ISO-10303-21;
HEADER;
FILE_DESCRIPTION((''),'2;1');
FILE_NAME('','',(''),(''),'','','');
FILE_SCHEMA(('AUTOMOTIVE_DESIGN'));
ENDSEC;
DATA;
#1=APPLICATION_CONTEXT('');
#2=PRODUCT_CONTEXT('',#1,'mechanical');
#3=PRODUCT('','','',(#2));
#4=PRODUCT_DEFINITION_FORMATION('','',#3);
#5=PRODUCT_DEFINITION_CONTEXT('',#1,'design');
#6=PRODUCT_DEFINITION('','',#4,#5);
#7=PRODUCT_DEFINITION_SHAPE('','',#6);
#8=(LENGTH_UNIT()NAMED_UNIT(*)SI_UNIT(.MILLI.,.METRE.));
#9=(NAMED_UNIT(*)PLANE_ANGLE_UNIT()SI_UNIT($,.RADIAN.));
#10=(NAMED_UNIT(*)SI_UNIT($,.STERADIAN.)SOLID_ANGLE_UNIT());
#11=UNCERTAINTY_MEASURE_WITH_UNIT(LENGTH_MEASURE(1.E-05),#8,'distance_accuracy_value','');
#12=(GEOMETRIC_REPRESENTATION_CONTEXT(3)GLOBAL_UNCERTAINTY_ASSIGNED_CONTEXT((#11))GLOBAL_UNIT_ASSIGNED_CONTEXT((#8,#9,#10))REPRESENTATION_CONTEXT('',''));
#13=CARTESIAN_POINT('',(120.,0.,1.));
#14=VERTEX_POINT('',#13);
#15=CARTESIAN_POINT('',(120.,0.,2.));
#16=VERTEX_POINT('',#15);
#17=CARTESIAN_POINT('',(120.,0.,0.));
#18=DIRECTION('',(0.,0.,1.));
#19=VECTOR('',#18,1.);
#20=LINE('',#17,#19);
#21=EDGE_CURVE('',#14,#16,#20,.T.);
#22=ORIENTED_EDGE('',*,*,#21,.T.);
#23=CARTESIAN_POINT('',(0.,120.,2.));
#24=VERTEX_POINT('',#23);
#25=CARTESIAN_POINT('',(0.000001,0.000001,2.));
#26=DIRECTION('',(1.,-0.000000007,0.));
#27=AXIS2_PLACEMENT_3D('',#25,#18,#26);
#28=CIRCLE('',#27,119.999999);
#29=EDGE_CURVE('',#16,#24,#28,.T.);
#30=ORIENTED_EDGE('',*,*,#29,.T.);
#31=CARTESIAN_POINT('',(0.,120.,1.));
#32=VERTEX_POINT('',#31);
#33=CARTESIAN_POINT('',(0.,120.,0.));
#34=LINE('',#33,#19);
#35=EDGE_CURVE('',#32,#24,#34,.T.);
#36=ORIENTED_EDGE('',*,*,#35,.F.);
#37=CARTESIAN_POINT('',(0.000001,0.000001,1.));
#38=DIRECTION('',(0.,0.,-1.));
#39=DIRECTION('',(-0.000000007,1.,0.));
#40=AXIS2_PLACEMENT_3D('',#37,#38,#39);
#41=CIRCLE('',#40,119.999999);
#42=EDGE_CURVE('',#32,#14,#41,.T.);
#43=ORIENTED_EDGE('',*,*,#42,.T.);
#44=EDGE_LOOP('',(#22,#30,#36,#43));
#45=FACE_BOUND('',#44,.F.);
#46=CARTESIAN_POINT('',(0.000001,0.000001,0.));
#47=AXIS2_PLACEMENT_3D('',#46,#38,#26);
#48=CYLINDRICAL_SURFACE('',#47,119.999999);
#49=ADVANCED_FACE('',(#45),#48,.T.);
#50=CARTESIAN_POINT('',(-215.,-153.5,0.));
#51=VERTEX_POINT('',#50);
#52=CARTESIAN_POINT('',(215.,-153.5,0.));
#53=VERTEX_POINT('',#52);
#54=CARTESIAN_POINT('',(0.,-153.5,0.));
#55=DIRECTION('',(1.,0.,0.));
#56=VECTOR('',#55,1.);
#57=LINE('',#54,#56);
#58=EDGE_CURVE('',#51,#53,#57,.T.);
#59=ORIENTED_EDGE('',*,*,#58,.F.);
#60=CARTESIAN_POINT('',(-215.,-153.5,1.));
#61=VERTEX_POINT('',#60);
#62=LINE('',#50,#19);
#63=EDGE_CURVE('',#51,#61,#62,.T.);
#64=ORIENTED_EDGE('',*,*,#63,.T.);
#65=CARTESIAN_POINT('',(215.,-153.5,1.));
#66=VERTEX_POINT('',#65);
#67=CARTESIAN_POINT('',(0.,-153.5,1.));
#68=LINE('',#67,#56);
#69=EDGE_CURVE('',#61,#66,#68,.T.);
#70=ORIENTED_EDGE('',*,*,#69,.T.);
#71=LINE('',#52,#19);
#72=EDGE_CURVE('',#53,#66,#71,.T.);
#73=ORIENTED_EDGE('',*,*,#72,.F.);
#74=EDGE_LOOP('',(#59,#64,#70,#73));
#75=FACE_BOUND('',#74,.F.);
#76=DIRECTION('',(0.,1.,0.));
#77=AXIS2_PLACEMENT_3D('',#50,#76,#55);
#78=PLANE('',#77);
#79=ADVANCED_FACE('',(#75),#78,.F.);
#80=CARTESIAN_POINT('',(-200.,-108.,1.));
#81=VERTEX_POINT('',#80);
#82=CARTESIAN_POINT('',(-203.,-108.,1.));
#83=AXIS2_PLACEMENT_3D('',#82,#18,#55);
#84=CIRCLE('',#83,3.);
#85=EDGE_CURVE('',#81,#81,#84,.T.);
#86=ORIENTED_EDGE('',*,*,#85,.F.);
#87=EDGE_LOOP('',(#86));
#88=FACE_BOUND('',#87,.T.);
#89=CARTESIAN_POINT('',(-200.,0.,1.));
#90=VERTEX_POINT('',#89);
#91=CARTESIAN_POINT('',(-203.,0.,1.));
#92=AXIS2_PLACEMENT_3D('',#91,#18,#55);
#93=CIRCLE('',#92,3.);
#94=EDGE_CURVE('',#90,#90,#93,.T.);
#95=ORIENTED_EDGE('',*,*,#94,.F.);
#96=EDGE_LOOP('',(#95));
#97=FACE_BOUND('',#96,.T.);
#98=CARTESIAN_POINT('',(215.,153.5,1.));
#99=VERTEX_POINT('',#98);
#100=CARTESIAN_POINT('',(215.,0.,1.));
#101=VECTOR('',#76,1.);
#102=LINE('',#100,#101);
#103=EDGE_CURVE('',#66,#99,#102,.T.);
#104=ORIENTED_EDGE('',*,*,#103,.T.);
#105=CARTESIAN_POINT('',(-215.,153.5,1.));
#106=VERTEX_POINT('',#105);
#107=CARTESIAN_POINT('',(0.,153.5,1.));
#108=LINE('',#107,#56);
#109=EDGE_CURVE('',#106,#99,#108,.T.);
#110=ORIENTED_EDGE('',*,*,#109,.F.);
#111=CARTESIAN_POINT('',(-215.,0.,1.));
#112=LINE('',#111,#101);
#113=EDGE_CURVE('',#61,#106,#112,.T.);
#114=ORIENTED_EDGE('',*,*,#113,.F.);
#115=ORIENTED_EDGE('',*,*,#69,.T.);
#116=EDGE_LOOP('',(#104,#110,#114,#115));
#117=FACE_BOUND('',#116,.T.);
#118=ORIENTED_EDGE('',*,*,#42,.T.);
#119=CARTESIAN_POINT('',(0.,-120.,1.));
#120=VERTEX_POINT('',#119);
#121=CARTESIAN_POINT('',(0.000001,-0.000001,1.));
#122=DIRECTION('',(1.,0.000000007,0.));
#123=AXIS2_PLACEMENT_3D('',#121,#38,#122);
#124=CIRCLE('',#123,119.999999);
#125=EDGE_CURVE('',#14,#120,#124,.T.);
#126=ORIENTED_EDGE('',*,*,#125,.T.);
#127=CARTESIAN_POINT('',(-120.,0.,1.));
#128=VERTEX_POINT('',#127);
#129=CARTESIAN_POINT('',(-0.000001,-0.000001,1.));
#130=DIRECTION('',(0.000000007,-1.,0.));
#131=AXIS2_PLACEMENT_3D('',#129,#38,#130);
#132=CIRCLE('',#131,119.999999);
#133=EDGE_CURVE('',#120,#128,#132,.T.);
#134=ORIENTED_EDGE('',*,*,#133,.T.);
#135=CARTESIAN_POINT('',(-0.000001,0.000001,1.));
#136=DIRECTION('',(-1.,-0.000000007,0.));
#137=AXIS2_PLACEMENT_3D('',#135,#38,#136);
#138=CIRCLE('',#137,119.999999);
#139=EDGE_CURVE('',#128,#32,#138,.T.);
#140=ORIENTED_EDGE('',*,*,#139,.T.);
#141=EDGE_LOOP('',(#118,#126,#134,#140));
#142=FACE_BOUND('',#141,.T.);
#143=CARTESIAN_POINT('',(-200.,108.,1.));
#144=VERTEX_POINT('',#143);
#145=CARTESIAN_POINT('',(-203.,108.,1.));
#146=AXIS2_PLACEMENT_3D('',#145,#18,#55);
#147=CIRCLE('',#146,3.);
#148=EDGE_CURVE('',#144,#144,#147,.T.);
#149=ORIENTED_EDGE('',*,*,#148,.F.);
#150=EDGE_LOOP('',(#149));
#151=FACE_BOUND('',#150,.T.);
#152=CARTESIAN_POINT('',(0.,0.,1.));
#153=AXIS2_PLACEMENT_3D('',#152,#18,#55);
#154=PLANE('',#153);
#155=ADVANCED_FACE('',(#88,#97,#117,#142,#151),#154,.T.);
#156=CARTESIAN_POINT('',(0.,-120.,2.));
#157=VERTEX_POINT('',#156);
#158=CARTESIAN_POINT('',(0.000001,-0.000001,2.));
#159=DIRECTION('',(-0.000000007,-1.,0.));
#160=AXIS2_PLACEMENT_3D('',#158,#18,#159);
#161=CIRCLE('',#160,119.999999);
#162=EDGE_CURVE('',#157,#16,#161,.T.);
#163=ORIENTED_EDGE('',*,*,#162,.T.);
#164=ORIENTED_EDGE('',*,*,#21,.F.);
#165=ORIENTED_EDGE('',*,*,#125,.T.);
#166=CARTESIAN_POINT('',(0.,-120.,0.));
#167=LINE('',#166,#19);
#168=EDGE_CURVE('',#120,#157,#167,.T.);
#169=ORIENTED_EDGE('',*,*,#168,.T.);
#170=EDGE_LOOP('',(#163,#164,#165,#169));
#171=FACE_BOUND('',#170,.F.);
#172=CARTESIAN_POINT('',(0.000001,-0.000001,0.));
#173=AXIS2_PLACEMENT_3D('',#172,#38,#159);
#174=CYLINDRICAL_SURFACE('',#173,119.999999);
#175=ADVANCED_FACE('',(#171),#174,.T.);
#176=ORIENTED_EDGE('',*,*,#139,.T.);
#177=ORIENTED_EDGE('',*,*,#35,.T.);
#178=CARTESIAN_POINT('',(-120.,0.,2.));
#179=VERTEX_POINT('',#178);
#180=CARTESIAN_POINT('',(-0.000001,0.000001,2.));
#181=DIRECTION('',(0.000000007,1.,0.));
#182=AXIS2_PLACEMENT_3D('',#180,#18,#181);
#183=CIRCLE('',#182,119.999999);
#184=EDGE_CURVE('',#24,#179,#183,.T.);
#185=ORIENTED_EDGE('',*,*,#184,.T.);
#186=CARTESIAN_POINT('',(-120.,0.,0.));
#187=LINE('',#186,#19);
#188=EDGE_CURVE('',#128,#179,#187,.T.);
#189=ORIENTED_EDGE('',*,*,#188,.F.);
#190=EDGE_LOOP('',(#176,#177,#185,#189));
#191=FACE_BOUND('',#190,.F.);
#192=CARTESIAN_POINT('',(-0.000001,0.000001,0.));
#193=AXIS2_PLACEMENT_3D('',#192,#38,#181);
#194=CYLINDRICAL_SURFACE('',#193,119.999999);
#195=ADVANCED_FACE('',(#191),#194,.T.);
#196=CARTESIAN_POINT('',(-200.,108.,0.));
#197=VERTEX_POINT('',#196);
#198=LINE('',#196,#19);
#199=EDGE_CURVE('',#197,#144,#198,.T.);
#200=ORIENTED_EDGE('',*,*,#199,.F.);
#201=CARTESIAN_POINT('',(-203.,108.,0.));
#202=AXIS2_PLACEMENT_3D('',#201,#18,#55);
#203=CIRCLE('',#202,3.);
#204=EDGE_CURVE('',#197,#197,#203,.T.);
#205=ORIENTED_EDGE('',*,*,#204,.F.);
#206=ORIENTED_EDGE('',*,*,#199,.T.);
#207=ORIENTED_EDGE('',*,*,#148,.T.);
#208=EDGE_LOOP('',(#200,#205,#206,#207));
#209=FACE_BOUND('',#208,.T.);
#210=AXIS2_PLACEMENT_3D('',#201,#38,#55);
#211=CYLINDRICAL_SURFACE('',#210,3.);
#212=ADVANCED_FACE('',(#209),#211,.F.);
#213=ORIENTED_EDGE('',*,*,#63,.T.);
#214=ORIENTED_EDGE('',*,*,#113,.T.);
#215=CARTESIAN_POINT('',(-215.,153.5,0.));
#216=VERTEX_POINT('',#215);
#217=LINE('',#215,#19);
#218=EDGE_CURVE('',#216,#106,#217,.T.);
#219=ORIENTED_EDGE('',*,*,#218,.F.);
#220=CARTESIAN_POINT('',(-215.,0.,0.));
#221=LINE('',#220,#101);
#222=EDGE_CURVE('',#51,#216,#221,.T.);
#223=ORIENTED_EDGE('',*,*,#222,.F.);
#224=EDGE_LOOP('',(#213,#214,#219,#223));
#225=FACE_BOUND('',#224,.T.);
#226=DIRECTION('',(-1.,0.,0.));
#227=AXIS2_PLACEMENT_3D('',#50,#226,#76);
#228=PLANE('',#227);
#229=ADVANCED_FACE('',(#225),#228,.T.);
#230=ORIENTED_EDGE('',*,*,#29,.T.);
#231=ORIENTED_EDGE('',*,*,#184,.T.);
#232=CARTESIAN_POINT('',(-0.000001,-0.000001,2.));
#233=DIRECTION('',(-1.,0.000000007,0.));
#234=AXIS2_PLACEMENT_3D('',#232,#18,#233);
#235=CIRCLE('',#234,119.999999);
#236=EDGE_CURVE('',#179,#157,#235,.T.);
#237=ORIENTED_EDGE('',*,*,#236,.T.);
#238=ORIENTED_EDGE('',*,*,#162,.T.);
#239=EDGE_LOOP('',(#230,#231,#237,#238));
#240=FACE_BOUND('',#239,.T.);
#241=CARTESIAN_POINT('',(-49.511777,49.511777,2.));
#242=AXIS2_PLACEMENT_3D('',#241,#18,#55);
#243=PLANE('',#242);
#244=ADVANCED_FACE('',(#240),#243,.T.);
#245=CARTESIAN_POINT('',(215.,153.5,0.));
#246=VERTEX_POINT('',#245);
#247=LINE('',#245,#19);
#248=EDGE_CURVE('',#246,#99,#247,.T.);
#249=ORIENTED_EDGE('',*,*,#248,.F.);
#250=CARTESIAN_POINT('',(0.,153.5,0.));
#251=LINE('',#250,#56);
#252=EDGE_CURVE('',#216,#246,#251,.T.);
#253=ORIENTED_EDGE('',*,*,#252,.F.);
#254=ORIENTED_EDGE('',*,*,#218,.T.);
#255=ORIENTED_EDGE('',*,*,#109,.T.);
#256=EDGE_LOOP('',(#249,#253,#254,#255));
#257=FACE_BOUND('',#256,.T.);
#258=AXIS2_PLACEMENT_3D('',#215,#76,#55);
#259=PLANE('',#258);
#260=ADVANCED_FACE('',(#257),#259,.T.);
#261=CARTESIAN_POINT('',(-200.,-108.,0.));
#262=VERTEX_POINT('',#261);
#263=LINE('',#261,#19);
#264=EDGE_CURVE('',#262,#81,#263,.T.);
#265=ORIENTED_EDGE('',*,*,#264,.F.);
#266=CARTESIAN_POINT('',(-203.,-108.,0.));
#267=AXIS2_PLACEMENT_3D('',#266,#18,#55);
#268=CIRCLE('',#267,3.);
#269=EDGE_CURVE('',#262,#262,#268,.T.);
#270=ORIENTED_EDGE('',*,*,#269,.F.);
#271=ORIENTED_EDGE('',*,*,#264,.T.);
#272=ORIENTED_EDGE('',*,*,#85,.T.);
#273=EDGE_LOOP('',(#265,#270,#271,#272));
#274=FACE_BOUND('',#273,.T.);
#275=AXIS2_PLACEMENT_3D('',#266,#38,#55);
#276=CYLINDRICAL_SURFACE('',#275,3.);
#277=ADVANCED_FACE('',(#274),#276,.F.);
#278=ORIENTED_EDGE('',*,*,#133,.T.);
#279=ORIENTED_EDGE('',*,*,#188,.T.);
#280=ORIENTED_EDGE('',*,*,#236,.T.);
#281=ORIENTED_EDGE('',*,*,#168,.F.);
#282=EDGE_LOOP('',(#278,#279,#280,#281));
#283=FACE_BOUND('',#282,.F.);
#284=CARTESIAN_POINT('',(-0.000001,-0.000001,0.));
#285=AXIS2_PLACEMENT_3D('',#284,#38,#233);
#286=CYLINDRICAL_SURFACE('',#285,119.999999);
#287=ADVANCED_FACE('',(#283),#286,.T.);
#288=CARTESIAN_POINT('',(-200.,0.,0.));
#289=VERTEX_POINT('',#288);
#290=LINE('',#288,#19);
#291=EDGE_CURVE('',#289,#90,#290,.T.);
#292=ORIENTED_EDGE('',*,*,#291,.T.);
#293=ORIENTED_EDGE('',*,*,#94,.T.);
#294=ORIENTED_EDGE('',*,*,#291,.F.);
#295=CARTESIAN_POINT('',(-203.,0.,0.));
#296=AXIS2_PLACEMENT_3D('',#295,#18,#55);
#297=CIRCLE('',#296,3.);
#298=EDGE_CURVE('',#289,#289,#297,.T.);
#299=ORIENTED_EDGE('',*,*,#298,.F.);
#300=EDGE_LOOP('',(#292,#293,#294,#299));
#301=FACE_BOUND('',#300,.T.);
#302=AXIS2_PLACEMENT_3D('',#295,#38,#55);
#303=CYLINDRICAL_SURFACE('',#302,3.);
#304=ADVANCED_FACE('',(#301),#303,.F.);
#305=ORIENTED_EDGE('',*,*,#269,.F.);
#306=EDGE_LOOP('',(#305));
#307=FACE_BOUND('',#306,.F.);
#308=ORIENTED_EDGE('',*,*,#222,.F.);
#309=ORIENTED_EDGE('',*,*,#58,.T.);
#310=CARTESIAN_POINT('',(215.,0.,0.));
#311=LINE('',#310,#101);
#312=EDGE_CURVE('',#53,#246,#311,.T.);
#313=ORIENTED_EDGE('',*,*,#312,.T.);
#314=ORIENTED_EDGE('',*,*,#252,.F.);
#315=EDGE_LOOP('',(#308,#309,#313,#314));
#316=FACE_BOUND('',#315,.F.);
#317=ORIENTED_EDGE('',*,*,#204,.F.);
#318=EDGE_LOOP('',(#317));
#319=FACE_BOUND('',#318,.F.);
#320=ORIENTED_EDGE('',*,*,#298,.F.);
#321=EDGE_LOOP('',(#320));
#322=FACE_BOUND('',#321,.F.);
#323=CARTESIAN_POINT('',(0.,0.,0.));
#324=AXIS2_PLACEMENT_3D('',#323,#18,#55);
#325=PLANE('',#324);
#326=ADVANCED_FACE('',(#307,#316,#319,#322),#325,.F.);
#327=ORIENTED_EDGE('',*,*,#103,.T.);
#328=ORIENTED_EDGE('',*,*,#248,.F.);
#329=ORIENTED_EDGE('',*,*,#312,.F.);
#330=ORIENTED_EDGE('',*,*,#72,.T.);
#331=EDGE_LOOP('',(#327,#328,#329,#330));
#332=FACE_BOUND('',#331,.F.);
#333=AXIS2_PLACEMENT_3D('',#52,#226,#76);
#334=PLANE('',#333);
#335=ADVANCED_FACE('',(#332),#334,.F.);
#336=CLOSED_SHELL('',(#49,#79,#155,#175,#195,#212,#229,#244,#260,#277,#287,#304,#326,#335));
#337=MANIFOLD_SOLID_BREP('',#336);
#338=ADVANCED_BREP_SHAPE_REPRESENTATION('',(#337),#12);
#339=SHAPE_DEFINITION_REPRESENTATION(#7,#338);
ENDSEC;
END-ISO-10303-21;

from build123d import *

# Parameters (mm, degrees)
F0_W     = 430
F0_H     = 307
F0_R     = 3
F1_DEPTH = 1
F2_DEPTH = 2


with BuildPart() as f1:
    # F0 (on Top) → F1 (new body)
    with BuildSketch(Plane.XY):
        Rectangle(F0_W, F0_H)
        with Locations((-203, -108)):
            Circle(F0_R, mode=Mode.SUBTRACT)
        with Locations((-203, 0)):
            Circle(F0_R, mode=Mode.SUBTRACT)
        with Locations((-203, 108)):
            Circle(F0_R, mode=Mode.SUBTRACT)
        with BuildLine():
            ThreePointArc((0, 120), (84.852814, 84.852814), (120, 0))
            ThreePointArc((120, 0), (84.852814, -84.852814), (0, -120))
            ThreePointArc((0, -120), (-84.852814, -84.852814), (-120, 0))
            ThreePointArc((-120, 0), (-84.852814, 84.852814), (0, 120))
        make_face(mode=Mode.SUBTRACT)
    extrude(amount=F1_DEPTH)

    # F0 (on Top) → F2 (join)
    with BuildSketch(Plane.XY):
        with BuildLine():
            Line((0, 0), (0, 120))
            ThreePointArc((0, 120), (-84.852814, 84.852814), (-120, 0))
            Line((-120, 0), (0, 0))
        make_face()
        with BuildLine():
            Line((0, 0), (120, 0))
            ThreePointArc((120, 0), (84.852814, 84.852814), (0, 120))
            Line((0, 120), (0, 0))
        make_face()
        with BuildLine():
            ThreePointArc((0, -120), (84.852814, -84.852814), (120, 0))
            Line((120, 0), (0, 0))
            Line((0, 0), (0, -120))
        make_face()
        with BuildLine():
            ThreePointArc((-120, 0), (-84.852814, -84.852814), (0, -120))
            Line((0, -120), (0, 0))
            Line((0, 0), (-120, 0))
        make_face()
    extrude(amount=F2_DEPTH)


solid = f1.part
